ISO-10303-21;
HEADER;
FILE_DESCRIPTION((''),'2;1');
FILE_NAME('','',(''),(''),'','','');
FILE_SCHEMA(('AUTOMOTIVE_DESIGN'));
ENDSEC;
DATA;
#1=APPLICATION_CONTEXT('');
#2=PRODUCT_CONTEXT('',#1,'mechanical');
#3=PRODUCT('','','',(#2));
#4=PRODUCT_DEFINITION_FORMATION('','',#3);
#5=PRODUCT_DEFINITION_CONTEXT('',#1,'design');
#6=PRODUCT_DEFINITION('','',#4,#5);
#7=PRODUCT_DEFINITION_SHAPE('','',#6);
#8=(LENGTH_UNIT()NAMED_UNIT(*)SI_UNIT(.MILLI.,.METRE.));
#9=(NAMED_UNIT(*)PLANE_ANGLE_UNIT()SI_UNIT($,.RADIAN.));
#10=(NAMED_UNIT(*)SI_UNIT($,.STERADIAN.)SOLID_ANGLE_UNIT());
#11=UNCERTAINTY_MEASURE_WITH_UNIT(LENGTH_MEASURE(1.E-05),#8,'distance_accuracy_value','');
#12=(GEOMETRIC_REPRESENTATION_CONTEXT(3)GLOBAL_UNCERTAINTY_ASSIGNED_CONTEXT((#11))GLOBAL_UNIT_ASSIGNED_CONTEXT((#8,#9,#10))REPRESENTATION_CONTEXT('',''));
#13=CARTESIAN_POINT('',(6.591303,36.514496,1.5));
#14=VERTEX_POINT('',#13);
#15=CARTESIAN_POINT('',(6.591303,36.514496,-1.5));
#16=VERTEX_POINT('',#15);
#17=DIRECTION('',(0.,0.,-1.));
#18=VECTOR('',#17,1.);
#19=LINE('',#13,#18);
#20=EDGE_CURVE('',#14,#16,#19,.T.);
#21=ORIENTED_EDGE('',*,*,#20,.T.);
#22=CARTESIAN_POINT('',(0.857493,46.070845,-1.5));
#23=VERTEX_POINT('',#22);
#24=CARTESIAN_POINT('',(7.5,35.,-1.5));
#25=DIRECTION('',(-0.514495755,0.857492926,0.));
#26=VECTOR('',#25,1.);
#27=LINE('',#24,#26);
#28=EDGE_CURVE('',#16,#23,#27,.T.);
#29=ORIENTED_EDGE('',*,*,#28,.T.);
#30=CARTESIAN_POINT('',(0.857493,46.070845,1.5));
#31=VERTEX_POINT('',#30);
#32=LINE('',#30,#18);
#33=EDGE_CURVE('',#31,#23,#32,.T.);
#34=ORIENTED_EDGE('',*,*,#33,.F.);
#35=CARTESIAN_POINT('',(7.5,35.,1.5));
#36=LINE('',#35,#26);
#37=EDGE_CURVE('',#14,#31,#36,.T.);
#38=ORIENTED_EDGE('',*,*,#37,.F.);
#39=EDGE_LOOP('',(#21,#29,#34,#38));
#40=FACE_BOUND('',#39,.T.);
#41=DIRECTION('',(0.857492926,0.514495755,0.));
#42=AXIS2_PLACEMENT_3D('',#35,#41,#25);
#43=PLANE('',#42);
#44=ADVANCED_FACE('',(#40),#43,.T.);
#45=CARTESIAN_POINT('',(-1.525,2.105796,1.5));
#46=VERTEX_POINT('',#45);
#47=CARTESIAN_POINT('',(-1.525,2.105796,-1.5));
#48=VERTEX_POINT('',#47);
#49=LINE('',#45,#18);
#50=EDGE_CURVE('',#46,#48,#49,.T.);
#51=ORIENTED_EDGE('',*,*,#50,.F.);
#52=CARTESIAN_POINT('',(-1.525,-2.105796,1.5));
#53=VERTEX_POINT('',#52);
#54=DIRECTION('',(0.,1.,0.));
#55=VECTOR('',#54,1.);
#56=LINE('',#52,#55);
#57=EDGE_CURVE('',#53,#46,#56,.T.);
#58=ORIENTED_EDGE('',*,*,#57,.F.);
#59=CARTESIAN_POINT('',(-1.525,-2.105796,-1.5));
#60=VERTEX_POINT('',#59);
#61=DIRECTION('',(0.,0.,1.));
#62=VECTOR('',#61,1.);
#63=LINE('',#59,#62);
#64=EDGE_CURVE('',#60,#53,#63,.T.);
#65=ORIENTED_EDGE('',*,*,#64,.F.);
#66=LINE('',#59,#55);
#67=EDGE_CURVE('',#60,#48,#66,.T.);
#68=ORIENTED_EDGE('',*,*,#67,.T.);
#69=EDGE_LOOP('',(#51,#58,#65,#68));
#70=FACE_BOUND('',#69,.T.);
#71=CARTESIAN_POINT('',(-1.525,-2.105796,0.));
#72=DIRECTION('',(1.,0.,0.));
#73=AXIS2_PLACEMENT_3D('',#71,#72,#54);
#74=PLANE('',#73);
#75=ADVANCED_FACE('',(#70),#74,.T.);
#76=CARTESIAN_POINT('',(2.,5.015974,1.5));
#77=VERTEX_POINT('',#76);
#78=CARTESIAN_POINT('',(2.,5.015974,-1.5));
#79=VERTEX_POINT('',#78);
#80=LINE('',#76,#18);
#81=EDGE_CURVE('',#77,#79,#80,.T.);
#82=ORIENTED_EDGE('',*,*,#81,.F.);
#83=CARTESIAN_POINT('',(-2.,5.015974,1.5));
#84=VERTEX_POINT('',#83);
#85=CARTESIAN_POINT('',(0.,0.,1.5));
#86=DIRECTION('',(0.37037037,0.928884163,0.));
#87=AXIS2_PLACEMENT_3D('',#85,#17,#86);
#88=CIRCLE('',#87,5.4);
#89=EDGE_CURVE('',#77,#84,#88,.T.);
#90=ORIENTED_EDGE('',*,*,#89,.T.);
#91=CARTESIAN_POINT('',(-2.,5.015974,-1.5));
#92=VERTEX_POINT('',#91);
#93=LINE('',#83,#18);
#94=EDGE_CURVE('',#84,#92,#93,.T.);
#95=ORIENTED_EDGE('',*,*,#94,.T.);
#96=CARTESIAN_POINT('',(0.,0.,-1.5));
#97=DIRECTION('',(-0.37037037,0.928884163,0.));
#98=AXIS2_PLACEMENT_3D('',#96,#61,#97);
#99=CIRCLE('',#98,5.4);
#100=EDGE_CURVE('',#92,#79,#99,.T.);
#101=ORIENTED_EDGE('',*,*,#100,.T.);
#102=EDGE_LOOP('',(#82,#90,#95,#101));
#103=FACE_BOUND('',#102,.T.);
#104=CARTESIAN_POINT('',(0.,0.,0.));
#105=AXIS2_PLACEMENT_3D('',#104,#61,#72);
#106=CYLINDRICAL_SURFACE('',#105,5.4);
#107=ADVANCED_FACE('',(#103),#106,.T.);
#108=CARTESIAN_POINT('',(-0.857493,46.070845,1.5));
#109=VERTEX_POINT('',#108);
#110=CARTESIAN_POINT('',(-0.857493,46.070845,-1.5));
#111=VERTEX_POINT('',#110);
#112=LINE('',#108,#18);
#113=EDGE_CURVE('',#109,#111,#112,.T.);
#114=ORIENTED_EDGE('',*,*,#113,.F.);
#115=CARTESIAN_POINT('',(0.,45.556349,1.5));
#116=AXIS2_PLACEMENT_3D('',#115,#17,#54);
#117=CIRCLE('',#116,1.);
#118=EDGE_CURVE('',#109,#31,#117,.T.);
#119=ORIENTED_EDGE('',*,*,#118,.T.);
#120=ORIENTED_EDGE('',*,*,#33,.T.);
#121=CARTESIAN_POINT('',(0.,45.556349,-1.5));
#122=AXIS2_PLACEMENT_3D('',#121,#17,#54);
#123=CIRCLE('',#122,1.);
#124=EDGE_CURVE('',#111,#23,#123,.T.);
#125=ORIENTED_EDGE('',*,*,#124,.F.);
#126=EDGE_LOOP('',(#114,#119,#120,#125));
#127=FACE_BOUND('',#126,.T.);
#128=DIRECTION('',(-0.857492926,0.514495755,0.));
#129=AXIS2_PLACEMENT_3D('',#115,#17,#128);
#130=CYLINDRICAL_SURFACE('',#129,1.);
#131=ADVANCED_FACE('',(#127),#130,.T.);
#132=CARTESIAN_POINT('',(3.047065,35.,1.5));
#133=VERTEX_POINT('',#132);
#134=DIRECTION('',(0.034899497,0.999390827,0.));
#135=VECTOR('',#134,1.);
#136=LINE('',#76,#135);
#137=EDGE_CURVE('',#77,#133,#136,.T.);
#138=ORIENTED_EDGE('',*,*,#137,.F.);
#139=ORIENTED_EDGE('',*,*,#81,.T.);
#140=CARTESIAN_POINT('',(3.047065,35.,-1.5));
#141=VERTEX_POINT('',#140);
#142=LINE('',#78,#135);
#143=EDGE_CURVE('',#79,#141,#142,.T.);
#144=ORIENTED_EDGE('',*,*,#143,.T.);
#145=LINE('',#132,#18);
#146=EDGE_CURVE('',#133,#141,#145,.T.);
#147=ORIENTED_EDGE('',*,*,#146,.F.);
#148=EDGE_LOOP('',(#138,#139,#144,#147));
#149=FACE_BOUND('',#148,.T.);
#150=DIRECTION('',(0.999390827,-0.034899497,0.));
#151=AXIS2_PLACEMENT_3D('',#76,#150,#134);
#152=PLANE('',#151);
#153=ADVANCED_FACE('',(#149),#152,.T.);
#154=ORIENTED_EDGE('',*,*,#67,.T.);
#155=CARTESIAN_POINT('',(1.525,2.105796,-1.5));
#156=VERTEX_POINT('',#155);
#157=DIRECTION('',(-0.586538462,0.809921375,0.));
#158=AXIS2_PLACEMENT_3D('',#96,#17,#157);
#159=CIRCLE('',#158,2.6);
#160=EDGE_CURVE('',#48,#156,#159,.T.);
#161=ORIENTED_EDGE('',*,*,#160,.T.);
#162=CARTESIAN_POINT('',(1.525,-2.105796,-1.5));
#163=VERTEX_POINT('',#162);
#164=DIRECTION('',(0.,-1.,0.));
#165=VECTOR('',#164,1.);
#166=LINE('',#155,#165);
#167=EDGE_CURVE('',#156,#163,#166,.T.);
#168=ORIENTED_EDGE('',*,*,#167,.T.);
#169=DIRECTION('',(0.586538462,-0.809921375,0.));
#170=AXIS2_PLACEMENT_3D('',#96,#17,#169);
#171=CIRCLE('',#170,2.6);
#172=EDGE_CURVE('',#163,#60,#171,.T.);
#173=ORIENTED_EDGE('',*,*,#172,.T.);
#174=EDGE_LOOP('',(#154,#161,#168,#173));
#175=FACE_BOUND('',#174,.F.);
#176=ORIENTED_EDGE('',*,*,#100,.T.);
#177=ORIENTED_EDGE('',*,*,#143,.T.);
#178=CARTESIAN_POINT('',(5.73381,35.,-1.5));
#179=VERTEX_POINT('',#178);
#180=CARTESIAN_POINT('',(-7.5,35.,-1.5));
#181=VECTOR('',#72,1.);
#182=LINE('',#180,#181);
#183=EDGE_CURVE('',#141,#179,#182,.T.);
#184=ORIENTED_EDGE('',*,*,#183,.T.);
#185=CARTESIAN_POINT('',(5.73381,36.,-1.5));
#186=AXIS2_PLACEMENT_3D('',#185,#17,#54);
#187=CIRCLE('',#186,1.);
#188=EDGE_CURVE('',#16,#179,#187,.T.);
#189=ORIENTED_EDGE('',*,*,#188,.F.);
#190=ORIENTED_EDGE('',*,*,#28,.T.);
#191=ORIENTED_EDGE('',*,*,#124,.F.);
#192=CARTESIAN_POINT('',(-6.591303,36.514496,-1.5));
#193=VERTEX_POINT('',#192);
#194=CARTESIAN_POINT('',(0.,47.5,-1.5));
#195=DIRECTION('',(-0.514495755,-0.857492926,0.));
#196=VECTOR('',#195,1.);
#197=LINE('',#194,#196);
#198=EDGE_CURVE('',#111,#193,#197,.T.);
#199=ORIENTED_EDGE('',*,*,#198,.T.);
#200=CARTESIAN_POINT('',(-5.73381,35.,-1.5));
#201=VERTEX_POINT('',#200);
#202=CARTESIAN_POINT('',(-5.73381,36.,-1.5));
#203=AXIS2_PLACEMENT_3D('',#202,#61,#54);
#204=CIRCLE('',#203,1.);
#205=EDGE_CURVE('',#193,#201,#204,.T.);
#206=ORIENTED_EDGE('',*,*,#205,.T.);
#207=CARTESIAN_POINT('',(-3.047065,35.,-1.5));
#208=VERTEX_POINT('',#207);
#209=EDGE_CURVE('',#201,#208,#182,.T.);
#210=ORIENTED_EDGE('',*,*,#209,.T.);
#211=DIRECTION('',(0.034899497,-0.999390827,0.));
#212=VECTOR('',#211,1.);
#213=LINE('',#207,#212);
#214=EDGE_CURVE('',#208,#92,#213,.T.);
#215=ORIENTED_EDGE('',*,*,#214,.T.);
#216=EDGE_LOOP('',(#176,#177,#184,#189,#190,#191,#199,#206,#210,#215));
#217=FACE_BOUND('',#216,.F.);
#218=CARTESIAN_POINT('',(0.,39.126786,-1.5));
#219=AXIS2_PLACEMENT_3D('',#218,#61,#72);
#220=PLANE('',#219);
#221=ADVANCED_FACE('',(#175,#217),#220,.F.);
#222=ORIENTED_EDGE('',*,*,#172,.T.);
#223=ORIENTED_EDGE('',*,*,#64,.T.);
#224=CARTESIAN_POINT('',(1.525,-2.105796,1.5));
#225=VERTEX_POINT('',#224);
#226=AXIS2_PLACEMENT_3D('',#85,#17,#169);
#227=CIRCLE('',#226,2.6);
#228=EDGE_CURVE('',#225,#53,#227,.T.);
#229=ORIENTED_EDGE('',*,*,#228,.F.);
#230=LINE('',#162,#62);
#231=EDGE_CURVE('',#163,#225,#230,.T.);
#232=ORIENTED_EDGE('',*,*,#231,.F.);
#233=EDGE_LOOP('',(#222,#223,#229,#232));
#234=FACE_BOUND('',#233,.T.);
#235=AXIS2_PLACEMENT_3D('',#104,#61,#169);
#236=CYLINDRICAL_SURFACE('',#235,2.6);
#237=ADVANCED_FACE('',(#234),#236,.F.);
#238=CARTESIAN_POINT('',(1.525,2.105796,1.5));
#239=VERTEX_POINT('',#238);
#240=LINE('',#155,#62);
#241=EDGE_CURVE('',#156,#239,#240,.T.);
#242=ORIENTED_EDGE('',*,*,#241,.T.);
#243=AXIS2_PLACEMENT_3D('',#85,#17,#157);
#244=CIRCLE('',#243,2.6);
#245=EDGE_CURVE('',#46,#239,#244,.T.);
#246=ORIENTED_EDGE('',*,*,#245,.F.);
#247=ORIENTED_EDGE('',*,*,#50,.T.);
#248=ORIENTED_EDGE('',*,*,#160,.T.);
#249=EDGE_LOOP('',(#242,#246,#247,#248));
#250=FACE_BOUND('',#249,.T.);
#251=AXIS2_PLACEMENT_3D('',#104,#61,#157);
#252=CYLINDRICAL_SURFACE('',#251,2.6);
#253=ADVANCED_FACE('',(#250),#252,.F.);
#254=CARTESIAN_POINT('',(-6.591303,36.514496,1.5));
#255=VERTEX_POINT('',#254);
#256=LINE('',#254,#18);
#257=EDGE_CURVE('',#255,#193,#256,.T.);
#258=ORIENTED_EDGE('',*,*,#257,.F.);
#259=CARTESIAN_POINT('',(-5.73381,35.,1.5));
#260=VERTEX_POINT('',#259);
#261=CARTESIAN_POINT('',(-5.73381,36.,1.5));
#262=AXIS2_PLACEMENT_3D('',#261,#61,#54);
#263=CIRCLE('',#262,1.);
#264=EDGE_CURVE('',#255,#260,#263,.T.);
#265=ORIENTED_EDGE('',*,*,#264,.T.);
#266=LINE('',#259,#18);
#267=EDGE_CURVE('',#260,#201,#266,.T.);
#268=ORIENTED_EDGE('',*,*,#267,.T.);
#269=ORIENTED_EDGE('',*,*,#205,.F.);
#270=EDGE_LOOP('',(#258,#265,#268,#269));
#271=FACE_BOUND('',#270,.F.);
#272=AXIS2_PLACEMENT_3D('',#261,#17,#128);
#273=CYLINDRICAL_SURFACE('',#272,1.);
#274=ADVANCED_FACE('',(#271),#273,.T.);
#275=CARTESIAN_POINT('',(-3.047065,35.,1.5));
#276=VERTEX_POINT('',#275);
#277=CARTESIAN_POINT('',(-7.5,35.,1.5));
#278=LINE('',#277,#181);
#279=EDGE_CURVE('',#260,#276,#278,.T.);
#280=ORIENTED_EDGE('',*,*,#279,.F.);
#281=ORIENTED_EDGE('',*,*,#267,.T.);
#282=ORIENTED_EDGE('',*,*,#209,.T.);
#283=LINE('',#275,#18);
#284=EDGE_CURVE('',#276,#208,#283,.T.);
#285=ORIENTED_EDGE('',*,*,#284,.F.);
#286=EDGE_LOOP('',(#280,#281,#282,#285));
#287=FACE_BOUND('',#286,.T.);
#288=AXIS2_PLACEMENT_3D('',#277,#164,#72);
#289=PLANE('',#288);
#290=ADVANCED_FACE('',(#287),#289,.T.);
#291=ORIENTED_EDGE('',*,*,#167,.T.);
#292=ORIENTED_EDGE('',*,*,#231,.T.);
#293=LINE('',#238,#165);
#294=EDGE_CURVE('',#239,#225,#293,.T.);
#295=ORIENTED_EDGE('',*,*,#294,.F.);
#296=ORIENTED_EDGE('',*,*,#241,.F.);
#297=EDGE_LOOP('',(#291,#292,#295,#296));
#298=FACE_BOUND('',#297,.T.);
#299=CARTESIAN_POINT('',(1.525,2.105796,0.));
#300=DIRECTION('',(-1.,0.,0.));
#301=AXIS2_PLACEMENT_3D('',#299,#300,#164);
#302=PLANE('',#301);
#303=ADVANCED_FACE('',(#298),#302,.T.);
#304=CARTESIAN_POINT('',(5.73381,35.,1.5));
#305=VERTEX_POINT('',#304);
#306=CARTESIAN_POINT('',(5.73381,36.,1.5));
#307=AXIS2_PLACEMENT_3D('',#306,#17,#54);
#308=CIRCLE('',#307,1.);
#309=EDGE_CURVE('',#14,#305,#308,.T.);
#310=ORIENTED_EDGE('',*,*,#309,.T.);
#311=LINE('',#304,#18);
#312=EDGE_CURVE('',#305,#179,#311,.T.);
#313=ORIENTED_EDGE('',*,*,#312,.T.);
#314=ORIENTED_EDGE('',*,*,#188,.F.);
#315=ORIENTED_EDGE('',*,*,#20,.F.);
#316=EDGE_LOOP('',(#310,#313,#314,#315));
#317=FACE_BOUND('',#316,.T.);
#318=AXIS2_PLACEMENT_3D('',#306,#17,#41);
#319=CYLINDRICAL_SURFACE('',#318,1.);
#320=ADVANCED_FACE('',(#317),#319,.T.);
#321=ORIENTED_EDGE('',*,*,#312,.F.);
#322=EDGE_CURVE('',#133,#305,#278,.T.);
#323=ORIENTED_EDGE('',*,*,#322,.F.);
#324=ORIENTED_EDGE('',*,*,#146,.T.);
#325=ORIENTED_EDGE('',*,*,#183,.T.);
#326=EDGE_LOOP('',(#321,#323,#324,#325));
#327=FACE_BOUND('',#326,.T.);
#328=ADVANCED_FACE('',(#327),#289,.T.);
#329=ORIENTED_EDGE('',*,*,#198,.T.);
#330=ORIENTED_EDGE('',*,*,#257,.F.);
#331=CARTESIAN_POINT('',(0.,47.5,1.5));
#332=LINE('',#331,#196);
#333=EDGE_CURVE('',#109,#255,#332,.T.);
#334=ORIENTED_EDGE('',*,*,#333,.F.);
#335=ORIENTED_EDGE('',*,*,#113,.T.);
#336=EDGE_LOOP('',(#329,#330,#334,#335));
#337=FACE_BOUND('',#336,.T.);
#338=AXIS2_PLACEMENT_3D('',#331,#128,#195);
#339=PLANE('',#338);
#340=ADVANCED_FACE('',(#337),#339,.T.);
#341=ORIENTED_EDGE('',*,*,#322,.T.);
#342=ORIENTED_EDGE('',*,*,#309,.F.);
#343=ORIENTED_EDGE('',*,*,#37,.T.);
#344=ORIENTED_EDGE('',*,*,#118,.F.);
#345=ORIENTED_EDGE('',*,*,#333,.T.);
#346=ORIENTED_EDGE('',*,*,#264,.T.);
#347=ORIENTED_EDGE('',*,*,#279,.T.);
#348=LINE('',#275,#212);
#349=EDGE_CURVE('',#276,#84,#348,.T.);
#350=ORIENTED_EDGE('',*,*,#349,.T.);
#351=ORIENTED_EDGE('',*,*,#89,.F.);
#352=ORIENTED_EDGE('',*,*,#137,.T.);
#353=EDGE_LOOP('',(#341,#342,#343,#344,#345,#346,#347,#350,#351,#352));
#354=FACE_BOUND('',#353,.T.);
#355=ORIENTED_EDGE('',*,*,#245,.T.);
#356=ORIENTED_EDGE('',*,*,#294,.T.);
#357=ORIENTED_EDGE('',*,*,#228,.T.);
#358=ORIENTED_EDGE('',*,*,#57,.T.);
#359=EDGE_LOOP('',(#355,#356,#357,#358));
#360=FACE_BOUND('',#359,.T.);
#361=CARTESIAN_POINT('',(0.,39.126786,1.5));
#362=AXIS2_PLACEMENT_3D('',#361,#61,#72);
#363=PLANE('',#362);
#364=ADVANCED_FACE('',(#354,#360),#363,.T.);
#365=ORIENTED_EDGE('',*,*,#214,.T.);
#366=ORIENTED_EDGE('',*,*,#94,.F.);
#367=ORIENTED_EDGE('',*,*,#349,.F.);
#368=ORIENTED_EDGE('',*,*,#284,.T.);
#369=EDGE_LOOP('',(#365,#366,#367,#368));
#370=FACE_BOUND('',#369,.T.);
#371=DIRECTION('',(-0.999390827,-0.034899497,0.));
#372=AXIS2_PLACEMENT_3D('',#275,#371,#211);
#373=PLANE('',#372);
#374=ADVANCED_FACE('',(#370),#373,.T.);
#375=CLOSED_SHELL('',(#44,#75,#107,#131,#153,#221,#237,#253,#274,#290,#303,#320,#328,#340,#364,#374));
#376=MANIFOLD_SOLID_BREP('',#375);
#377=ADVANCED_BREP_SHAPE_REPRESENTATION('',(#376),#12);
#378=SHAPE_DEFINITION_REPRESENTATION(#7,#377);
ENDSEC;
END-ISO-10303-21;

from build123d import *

# Parameters (mm, degrees)
F0_R     = 5.4
F1_DEPTH = 1.5
F3_DEPTH = 3
F5_DEPTH = 3
F6_R     = 1


with BuildPart() as f1:
    # F0 (on Top) → F1 (new body, symmetric)
    with BuildSketch(Plane.XY):
        Circle(F0_R)
        with BuildLine():
            ThreePointArc((1.525, 2.1057955741), (2.3157072354, 1.1821590418), (2.6, 0))
            ThreePointArc((2.6, 0), (2.3157072354, -1.1821590418), (1.525, -2.1057955741))
            ThreePointArc((1.525, -2.1057955741), (0, -2.6), (-1.525, -2.1057955741))
            ThreePointArc((-1.525, -2.1057955741), (-2.6, 0), (-1.525, 2.1057955741))
            ThreePointArc((-1.525, 2.1057955741), (0, 2.6), (1.525, 2.1057955741))
        make_face(mode=Mode.SUBTRACT)
        with BuildLine():
            ThreePointArc((1.525, -2.1057955741), (2.3157072354, -1.1821590418), (2.6, 0))
            ThreePointArc((2.6, 0), (2.3157072354, 1.1821590418), (1.525, 2.1057955741))
            Line((1.525, 2.1057955741), (1.525, -2.1057955741))
        make_face()
        with BuildLine():
            Line((-1.525, -2.1057955741), (-1.525, 2.1057955741))
            ThreePointArc((-1.525, 2.1057955741), (-2.6, 0), (-1.525, -2.1057955741))
        make_face()
    extrude(amount=F1_DEPTH, both=True)

    # F2 (on face) → F3 (join, through all)
    with BuildSketch(Plane.XY.offset(1.5)):
        with BuildLine():
            ThreePointArc((-2, 5.0159744816), (0, 5.4), (2, 5.0159744816))
            Line((2, 5.0159744816), (3.0470652436, 35))
            Line((3.0470652436, 35), (0, 35))
            Line((0, 35), (-3.0470652436, 35))
            Line((-3.0470652436, 35), (-2, 5.0159744816))
        make_face()
    extrude(amount=-F3_DEPTH)

    # F4 (on face) → F5 (join, through all)
    with BuildSketch(Plane.XY.offset(1.5)):
        Polygon((0, 47.5), (-7.5, 35), (-3.0470652436, 35), (3.0470652436, 35), (7.5, 35), align=None)
    extrude(amount=-F5_DEPTH)

    # F6
    f6_edges = [f1.edges().sort_by_distance(p)[0] for p in [
        (-7.5, 35, 0),
        (0, 47.5, 0),
        (7.5, 35, 0),
    ]]
    fillet(f6_edges, radius=F6_R)


solid = f1.part
